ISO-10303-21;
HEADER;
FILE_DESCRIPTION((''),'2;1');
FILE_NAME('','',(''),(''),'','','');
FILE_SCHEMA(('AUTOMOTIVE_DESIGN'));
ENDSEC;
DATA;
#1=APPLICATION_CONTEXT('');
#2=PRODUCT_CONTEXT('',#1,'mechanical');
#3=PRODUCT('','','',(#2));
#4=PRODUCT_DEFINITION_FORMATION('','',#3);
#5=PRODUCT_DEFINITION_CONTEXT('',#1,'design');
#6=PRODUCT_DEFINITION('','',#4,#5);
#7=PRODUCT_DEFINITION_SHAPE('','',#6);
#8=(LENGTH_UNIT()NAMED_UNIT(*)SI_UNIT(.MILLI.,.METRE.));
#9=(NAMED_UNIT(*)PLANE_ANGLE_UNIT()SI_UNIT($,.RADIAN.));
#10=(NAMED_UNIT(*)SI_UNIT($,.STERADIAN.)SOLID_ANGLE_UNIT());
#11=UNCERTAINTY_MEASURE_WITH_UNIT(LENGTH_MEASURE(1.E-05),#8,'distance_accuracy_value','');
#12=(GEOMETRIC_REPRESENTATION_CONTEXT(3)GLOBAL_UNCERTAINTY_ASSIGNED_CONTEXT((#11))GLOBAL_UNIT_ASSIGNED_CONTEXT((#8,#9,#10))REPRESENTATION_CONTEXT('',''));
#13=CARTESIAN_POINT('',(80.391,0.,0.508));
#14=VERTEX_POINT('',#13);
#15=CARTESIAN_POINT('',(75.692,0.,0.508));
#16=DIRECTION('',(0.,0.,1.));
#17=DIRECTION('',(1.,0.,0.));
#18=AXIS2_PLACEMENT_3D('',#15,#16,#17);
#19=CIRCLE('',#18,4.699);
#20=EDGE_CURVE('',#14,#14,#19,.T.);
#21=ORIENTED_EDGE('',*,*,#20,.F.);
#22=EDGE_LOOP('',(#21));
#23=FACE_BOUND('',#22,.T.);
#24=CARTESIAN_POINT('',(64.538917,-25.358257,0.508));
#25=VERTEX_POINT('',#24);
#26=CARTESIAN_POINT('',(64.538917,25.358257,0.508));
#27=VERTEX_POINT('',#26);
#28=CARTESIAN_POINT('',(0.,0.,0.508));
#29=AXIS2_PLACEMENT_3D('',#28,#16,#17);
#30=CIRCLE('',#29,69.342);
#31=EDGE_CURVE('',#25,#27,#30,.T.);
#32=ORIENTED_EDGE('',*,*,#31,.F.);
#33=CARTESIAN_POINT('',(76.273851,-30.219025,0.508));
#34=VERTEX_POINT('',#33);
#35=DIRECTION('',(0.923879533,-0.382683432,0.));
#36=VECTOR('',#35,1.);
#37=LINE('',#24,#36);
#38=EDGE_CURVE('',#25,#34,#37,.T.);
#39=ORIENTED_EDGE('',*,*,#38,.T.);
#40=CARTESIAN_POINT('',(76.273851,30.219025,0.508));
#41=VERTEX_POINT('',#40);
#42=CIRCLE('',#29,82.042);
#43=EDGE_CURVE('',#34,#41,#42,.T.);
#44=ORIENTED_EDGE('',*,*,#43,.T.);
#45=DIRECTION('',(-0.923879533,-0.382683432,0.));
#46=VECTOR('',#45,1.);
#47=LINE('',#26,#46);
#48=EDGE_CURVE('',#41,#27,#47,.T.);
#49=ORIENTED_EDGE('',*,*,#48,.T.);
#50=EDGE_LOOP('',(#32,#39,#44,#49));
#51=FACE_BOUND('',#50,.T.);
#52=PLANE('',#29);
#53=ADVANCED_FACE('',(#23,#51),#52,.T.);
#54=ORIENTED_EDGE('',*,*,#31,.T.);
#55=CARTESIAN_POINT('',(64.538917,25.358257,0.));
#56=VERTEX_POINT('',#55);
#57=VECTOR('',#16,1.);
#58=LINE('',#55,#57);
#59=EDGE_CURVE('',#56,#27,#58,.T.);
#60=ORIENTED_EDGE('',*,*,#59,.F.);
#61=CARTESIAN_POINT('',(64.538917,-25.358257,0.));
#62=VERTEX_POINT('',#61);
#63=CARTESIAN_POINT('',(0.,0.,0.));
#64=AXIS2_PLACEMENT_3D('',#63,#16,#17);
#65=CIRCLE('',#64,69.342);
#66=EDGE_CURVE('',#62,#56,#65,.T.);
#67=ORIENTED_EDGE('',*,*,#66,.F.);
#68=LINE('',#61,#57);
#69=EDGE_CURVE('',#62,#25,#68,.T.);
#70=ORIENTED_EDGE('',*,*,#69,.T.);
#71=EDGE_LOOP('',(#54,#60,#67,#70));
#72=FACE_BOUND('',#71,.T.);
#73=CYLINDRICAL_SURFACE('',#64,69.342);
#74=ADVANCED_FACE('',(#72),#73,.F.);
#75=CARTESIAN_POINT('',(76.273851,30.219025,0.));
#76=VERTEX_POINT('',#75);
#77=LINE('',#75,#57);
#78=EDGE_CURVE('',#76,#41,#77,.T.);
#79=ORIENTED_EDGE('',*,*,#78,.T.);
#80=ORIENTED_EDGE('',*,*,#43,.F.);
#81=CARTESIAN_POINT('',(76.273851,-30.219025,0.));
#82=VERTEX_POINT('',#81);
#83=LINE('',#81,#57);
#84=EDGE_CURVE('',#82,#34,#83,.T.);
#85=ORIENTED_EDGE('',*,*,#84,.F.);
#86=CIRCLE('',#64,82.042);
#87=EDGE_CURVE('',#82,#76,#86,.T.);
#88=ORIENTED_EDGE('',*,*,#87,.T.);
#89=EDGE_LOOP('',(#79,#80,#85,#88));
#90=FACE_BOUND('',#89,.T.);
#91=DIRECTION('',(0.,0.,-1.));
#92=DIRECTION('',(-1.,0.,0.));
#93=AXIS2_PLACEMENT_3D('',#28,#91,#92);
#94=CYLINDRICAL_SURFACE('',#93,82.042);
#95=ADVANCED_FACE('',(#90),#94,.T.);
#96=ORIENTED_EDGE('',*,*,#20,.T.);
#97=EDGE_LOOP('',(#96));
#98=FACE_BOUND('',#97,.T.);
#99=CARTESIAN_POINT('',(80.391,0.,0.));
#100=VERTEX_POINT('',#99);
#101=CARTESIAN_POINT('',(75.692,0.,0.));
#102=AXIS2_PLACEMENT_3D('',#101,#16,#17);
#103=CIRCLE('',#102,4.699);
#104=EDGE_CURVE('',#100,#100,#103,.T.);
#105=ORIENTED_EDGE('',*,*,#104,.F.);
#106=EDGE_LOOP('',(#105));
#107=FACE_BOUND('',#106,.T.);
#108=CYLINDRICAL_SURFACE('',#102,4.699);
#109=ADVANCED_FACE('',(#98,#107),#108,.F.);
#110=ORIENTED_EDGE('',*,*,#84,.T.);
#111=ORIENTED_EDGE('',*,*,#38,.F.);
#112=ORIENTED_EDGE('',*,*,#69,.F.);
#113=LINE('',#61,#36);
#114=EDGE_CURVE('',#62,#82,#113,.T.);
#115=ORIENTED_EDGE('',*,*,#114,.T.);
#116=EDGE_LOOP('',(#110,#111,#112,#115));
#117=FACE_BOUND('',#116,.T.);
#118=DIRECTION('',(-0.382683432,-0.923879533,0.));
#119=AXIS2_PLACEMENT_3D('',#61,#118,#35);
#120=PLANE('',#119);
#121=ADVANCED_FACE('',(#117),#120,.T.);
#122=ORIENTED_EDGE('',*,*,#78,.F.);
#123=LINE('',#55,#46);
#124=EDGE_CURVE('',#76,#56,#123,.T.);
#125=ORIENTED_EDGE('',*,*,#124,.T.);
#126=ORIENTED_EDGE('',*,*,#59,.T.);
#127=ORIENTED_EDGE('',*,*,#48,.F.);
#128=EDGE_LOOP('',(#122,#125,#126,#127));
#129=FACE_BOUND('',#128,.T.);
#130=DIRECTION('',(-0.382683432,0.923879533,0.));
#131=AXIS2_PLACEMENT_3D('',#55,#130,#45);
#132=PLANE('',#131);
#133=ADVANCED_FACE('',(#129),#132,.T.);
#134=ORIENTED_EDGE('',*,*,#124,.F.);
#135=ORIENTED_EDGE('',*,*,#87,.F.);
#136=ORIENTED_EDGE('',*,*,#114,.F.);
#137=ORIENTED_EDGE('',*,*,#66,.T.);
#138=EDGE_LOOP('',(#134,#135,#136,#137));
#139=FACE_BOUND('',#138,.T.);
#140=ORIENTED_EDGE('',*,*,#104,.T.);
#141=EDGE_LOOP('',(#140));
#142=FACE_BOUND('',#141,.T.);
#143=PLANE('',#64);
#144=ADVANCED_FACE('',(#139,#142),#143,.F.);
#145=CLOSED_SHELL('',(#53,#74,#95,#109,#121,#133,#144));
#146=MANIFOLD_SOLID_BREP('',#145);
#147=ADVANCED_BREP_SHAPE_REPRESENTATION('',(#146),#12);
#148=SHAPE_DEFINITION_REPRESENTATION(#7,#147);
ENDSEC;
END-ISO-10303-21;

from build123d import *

# Parameters (mm, degrees)
SKETCH4_R           = 82.042
BOSS_EXTRUDE2_DEPTH = 0.508
SKETCH5_R           = 69.342
CUT_EXTRUDE5_DEPTH  = 1.508
SKETCH6_R           = 4.699
CUT_EXTRUDE6_DEPTH  = 1.508
SKETCH8_OUTSIDE_W   = 212.494
SKETCH8_OUTSIDE_H   = 212.494
CUT_EXTRUDE11_DEPTH = 1.508


with BuildPart() as part:
    # Sketch4 → Boss-Extrude2 (new body)
    with BuildSketch(Plane.XY):
        Circle(SKETCH4_R)
    extrude(amount=BOSS_EXTRUDE2_DEPTH)

    # Sketch5 → Cut-Extrude5 (cut, through all)
    with BuildSketch(Plane.XY.offset(0.508)):
        Circle(SKETCH5_R)
    extrude(amount=-CUT_EXTRUDE5_DEPTH, mode=Mode.SUBTRACT)

    # Sketch6 → Cut-Extrude6 (cut, through all)
    with BuildSketch(Plane.XY.offset(0.508)):
        with Locations((75.692, 0)):
            Circle(SKETCH6_R)
    extrude(amount=-CUT_EXTRUDE6_DEPTH, mode=Mode.SUBTRACT)

    # Sketch8 outside → Cut-Extrude11 (cut, through all)
    with BuildSketch(Plane.XY.offset(0.508)):
        Rectangle(SKETCH8_OUTSIDE_W, SKETCH8_OUTSIDE_H)
        with BuildLine():
            Line((64.538916848, -25.358256565), (76.273850543, -30.219025255))
            ThreePointArc((76.273850543, -30.219025255), (82.042, 0), (76.273850543, 30.219025255))
            Line((76.273850543, 30.219025255), (64.538916848, 25.358256565))
            ThreePointArc((64.538916848, 25.358256565), (69.342, 0), (64.538916848, -25.358256565))
        make_face(mode=Mode.SUBTRACT)
    extrude(amount=-CUT_EXTRUDE11_DEPTH, mode=Mode.SUBTRACT)


solid = part.part
